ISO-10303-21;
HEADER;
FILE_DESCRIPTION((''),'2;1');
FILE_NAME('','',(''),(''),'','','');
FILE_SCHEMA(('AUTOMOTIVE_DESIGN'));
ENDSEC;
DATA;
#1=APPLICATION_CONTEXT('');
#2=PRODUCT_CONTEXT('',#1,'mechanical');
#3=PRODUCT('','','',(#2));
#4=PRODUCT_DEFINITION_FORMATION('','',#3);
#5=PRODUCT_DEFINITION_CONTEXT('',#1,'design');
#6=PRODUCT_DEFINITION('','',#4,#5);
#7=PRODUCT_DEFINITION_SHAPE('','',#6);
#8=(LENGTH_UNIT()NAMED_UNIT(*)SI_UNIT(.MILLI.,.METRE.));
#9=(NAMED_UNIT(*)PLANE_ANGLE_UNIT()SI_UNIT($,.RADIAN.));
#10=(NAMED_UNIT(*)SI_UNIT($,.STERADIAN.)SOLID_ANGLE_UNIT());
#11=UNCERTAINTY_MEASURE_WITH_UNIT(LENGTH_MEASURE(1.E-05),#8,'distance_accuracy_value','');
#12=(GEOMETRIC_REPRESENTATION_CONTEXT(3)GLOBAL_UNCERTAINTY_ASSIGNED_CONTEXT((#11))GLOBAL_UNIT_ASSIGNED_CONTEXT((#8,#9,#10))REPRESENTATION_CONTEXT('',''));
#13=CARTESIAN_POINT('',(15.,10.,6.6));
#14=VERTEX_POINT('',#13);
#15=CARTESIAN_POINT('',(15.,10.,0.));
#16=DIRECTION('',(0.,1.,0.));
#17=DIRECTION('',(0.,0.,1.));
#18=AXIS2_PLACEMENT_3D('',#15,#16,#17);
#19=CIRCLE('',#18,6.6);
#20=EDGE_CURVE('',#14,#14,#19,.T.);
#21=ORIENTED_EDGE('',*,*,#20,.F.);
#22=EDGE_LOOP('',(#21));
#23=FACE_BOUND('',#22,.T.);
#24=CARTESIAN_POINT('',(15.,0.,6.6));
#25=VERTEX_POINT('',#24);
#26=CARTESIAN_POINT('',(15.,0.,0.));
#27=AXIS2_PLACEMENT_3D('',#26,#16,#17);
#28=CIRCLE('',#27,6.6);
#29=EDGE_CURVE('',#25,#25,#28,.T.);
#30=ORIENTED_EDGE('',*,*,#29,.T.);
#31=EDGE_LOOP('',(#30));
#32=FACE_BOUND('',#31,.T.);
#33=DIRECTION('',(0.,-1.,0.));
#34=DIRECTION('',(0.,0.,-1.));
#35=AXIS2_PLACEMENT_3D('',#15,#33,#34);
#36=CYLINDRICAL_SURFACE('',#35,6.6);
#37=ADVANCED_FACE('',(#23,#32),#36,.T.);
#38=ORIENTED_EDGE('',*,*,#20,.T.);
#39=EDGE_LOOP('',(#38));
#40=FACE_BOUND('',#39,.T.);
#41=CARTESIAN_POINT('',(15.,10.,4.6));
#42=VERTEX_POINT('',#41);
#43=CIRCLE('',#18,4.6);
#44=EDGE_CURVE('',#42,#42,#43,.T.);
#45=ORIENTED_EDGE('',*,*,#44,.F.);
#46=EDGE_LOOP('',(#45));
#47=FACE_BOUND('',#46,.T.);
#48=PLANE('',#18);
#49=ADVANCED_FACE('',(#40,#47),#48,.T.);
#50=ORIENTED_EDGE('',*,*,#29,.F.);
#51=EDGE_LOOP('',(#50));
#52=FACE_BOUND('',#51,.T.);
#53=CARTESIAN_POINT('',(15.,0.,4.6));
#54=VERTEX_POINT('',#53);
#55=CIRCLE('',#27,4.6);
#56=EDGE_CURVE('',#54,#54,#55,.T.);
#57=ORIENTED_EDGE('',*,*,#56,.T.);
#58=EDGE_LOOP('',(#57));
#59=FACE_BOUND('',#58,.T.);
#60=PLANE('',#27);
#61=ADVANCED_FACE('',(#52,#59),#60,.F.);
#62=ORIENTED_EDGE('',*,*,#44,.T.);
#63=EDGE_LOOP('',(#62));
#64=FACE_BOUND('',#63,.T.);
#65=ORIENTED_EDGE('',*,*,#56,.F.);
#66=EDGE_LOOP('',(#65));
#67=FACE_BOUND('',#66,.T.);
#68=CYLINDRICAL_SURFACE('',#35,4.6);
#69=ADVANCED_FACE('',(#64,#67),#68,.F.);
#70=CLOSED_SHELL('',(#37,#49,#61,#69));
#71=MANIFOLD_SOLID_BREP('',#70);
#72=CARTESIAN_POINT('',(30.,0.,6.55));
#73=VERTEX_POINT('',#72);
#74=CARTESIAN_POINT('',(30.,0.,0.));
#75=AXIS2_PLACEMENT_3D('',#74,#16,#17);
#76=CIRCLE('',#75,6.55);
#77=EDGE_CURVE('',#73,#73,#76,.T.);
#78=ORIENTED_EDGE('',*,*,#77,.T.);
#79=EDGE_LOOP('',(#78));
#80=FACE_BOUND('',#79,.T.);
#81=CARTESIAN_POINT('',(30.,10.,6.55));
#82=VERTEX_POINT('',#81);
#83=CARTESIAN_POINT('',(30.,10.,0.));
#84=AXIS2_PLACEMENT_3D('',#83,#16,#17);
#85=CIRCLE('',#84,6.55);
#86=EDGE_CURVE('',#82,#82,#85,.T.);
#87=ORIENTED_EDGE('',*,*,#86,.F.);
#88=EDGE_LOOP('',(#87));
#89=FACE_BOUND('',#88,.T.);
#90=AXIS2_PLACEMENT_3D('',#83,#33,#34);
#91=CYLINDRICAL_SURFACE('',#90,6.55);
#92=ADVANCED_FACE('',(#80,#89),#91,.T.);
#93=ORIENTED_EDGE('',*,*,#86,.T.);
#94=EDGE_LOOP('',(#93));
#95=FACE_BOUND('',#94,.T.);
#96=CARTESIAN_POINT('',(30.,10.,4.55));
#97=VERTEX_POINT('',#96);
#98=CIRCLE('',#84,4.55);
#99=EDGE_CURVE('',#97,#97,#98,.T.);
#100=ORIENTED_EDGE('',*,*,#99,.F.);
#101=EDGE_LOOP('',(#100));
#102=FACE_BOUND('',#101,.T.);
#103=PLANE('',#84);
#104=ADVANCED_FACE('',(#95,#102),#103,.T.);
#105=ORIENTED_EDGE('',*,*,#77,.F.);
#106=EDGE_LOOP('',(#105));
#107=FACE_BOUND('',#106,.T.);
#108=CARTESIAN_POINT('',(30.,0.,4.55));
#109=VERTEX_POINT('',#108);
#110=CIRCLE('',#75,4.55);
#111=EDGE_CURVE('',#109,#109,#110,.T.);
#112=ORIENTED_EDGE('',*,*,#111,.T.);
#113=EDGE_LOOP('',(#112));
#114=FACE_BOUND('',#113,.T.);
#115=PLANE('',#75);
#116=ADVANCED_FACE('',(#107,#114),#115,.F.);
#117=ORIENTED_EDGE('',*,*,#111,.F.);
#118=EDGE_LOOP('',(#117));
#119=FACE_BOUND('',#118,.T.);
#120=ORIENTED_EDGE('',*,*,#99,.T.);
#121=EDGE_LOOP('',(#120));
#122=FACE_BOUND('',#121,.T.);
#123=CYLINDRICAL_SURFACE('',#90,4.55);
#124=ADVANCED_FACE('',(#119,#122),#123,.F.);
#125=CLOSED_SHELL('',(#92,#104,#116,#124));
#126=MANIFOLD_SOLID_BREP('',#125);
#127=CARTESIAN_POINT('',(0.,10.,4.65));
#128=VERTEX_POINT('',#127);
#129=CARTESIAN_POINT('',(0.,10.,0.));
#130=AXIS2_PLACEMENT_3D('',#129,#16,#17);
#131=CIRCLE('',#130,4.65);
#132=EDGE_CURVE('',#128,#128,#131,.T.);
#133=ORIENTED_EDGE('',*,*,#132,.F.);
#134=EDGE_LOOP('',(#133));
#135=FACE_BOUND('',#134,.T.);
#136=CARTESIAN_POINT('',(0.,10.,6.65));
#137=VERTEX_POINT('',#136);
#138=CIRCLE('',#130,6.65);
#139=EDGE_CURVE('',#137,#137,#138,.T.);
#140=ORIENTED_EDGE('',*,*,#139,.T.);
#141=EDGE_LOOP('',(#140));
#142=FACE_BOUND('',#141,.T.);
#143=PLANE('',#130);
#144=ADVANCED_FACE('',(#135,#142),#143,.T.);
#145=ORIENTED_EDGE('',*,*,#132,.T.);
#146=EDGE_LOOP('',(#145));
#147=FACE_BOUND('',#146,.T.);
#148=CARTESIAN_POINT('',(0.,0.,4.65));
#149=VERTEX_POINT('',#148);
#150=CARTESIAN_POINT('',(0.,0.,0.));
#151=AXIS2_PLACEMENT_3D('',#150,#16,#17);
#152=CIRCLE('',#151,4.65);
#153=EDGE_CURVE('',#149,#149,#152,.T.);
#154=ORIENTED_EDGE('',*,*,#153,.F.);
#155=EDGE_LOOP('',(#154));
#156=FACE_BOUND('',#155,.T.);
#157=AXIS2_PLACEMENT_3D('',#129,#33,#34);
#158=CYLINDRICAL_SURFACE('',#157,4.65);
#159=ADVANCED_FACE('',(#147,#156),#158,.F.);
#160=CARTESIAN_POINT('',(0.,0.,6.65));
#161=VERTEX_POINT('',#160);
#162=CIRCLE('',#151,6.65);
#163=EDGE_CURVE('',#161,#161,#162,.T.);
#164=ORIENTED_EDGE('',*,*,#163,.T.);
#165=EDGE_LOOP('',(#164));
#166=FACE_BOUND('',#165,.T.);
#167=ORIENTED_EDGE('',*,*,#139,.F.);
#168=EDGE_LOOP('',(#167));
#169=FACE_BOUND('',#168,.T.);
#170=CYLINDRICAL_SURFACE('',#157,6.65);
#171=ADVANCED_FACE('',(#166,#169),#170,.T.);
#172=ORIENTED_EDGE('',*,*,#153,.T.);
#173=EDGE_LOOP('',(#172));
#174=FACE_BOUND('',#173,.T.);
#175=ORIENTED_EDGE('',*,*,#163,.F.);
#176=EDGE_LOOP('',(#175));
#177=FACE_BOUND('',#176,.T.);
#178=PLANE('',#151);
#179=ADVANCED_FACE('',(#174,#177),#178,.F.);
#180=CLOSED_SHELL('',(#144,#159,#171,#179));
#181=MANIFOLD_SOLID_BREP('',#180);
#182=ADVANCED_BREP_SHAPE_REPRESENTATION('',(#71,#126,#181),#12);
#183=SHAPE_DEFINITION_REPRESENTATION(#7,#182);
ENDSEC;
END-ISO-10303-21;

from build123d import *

# Parameters (mm, degrees)
SKETCH1_R             = 6.65
SKETCH1_R_2           = 4.65
BOSS_EXTRUDE1_DEPTH   = 10
SKETCH1_R_3           = 6.6
SKETCH1_R_4           = 4.6
BOSS_EXTRUDE1_2_DEPTH = 10
SKETCH1_R_5           = 6.55
SKETCH1_R_6           = 4.55
BOSS_EXTRUDE1_3_DEPTH = 10


with BuildPart() as part:
    # Sketch1 → Boss-Extrude1 (new body)
    with BuildSketch(Plane(origin=(0, 0, 0), x_dir=(1, 0, 0), z_dir=(0, 1, 0))):
        Circle(SKETCH1_R)
        Circle(SKETCH1_R_2, mode=Mode.SUBTRACT)
    extrude(amount=BOSS_EXTRUDE1_DEPTH)


with BuildPart() as body_2:
    # Sketch1 → Boss-Extrude1 2 (new body)
    with BuildSketch(Plane(origin=(0, 0, 0), x_dir=(1, 0, 0), z_dir=(0, 1, 0))):
        with Locations((15, 0)):
            Circle(SKETCH1_R_3)
        with Locations((15, 0)):
            Circle(SKETCH1_R_4, mode=Mode.SUBTRACT)
    extrude(amount=BOSS_EXTRUDE1_2_DEPTH)


with BuildPart() as body_3:
    # Sketch1 → Boss-Extrude1 3 (new body)
    with BuildSketch(Plane(origin=(0, 0, 0), x_dir=(1, 0, 0), z_dir=(0, 1, 0))):
        with Locations((30, 0)):
            Circle(SKETCH1_R_5)
        with Locations((30, 0)):
            Circle(SKETCH1_R_6, mode=Mode.SUBTRACT)
    extrude(amount=BOSS_EXTRUDE1_3_DEPTH)


solid = Compound([part.part, body_2.part, body_3.part])
